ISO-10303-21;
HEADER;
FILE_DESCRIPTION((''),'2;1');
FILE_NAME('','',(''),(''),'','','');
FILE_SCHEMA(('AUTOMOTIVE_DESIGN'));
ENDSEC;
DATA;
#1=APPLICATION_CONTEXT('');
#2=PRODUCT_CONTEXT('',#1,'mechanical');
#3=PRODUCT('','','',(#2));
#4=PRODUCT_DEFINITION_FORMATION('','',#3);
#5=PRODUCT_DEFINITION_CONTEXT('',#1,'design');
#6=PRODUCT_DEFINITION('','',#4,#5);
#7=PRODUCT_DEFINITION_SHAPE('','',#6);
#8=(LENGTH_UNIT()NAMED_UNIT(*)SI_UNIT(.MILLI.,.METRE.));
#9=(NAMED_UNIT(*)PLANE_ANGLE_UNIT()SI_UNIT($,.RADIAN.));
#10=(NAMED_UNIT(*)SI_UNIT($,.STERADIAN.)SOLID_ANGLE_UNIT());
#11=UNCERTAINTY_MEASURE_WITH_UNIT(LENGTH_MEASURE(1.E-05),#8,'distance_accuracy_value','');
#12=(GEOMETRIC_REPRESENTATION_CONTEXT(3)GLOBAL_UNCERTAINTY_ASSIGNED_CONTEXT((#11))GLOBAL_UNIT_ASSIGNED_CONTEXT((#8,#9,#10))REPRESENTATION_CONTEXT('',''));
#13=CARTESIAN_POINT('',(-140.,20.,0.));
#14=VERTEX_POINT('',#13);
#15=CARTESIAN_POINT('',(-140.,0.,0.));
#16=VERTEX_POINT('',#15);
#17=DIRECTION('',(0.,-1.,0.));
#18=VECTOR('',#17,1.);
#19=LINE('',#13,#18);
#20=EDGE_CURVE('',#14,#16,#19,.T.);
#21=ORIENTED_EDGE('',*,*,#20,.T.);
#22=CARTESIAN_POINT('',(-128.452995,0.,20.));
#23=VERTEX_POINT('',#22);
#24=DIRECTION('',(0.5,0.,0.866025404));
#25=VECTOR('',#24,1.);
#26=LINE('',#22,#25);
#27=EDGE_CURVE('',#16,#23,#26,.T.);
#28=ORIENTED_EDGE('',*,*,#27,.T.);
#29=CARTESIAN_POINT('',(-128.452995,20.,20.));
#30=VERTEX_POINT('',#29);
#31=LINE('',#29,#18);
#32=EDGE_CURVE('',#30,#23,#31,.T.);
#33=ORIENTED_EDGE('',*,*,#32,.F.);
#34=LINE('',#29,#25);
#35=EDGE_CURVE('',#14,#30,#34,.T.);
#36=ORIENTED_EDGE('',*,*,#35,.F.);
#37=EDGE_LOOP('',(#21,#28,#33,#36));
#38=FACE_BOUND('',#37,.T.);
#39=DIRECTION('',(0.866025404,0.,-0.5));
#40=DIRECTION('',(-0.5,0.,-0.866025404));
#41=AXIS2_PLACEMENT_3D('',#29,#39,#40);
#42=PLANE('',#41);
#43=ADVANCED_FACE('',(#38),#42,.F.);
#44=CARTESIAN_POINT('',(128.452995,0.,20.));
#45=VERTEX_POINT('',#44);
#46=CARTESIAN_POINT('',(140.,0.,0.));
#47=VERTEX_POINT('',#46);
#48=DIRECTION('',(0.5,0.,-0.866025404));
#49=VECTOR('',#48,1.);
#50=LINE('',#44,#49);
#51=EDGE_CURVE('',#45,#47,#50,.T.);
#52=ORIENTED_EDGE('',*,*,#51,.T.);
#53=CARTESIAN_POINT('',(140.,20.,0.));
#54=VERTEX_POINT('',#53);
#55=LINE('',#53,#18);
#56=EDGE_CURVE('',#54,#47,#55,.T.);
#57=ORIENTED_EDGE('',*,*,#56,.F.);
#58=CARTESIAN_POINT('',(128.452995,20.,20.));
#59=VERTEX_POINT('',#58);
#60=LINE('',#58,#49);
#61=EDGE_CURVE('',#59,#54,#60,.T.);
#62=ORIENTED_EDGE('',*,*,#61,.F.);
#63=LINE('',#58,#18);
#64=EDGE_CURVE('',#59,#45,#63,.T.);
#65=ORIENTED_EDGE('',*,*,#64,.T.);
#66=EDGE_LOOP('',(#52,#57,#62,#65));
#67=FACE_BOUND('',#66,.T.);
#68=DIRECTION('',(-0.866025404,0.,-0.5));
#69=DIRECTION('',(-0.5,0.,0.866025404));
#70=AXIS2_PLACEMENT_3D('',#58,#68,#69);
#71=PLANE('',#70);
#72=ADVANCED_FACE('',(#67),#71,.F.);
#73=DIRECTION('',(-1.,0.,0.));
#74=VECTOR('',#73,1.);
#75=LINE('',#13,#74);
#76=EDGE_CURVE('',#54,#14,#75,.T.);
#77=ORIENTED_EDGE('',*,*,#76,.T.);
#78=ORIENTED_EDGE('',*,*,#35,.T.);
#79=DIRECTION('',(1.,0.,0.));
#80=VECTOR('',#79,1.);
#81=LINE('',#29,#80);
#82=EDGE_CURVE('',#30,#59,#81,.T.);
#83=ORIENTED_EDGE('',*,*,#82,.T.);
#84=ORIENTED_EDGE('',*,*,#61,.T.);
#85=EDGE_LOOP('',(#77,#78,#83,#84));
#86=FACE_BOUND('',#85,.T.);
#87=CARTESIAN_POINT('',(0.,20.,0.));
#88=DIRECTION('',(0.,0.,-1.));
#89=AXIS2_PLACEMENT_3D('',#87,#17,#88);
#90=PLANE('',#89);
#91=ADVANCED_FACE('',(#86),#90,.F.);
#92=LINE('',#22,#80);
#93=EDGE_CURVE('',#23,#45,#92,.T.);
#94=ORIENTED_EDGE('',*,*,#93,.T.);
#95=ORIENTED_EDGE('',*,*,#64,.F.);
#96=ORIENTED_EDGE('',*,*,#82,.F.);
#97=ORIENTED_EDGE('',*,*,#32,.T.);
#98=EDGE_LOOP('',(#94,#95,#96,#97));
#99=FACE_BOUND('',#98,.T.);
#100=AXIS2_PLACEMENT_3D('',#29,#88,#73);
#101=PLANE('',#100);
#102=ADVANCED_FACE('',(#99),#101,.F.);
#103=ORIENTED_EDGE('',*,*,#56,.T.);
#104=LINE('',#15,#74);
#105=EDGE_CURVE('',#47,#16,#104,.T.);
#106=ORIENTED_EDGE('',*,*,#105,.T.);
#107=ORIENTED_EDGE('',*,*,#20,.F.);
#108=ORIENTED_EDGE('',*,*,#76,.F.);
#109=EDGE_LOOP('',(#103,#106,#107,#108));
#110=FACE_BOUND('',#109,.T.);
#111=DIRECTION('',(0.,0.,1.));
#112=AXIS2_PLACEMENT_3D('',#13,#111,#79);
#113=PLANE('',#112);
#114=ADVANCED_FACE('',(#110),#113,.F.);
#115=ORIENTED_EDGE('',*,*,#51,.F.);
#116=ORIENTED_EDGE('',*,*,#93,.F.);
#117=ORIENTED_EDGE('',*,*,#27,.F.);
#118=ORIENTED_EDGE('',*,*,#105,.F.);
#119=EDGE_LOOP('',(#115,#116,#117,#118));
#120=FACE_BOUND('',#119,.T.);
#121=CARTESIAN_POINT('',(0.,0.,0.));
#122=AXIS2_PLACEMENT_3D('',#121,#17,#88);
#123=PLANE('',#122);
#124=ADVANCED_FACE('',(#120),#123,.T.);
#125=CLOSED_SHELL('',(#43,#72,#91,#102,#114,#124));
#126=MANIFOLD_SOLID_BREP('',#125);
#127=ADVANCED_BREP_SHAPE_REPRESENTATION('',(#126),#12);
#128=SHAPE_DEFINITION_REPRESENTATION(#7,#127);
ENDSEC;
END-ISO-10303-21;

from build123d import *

# Parameters (mm, degrees)
BOSS_EXTRUDE1_DEPTH = 20


with BuildPart() as part:
    # Sketch2 → Boss-Extrude1 (new body)
    with BuildSketch(Plane(origin=(0, 0, 0), x_dir=(1, 0, 0), z_dir=(0, 1, 0))):
        Polygon((-140, 0), (140, 0), (128.452994616, -20), (-128.452994616, -20), align=None)
    extrude(amount=BOSS_EXTRUDE1_DEPTH)


solid = part.part
